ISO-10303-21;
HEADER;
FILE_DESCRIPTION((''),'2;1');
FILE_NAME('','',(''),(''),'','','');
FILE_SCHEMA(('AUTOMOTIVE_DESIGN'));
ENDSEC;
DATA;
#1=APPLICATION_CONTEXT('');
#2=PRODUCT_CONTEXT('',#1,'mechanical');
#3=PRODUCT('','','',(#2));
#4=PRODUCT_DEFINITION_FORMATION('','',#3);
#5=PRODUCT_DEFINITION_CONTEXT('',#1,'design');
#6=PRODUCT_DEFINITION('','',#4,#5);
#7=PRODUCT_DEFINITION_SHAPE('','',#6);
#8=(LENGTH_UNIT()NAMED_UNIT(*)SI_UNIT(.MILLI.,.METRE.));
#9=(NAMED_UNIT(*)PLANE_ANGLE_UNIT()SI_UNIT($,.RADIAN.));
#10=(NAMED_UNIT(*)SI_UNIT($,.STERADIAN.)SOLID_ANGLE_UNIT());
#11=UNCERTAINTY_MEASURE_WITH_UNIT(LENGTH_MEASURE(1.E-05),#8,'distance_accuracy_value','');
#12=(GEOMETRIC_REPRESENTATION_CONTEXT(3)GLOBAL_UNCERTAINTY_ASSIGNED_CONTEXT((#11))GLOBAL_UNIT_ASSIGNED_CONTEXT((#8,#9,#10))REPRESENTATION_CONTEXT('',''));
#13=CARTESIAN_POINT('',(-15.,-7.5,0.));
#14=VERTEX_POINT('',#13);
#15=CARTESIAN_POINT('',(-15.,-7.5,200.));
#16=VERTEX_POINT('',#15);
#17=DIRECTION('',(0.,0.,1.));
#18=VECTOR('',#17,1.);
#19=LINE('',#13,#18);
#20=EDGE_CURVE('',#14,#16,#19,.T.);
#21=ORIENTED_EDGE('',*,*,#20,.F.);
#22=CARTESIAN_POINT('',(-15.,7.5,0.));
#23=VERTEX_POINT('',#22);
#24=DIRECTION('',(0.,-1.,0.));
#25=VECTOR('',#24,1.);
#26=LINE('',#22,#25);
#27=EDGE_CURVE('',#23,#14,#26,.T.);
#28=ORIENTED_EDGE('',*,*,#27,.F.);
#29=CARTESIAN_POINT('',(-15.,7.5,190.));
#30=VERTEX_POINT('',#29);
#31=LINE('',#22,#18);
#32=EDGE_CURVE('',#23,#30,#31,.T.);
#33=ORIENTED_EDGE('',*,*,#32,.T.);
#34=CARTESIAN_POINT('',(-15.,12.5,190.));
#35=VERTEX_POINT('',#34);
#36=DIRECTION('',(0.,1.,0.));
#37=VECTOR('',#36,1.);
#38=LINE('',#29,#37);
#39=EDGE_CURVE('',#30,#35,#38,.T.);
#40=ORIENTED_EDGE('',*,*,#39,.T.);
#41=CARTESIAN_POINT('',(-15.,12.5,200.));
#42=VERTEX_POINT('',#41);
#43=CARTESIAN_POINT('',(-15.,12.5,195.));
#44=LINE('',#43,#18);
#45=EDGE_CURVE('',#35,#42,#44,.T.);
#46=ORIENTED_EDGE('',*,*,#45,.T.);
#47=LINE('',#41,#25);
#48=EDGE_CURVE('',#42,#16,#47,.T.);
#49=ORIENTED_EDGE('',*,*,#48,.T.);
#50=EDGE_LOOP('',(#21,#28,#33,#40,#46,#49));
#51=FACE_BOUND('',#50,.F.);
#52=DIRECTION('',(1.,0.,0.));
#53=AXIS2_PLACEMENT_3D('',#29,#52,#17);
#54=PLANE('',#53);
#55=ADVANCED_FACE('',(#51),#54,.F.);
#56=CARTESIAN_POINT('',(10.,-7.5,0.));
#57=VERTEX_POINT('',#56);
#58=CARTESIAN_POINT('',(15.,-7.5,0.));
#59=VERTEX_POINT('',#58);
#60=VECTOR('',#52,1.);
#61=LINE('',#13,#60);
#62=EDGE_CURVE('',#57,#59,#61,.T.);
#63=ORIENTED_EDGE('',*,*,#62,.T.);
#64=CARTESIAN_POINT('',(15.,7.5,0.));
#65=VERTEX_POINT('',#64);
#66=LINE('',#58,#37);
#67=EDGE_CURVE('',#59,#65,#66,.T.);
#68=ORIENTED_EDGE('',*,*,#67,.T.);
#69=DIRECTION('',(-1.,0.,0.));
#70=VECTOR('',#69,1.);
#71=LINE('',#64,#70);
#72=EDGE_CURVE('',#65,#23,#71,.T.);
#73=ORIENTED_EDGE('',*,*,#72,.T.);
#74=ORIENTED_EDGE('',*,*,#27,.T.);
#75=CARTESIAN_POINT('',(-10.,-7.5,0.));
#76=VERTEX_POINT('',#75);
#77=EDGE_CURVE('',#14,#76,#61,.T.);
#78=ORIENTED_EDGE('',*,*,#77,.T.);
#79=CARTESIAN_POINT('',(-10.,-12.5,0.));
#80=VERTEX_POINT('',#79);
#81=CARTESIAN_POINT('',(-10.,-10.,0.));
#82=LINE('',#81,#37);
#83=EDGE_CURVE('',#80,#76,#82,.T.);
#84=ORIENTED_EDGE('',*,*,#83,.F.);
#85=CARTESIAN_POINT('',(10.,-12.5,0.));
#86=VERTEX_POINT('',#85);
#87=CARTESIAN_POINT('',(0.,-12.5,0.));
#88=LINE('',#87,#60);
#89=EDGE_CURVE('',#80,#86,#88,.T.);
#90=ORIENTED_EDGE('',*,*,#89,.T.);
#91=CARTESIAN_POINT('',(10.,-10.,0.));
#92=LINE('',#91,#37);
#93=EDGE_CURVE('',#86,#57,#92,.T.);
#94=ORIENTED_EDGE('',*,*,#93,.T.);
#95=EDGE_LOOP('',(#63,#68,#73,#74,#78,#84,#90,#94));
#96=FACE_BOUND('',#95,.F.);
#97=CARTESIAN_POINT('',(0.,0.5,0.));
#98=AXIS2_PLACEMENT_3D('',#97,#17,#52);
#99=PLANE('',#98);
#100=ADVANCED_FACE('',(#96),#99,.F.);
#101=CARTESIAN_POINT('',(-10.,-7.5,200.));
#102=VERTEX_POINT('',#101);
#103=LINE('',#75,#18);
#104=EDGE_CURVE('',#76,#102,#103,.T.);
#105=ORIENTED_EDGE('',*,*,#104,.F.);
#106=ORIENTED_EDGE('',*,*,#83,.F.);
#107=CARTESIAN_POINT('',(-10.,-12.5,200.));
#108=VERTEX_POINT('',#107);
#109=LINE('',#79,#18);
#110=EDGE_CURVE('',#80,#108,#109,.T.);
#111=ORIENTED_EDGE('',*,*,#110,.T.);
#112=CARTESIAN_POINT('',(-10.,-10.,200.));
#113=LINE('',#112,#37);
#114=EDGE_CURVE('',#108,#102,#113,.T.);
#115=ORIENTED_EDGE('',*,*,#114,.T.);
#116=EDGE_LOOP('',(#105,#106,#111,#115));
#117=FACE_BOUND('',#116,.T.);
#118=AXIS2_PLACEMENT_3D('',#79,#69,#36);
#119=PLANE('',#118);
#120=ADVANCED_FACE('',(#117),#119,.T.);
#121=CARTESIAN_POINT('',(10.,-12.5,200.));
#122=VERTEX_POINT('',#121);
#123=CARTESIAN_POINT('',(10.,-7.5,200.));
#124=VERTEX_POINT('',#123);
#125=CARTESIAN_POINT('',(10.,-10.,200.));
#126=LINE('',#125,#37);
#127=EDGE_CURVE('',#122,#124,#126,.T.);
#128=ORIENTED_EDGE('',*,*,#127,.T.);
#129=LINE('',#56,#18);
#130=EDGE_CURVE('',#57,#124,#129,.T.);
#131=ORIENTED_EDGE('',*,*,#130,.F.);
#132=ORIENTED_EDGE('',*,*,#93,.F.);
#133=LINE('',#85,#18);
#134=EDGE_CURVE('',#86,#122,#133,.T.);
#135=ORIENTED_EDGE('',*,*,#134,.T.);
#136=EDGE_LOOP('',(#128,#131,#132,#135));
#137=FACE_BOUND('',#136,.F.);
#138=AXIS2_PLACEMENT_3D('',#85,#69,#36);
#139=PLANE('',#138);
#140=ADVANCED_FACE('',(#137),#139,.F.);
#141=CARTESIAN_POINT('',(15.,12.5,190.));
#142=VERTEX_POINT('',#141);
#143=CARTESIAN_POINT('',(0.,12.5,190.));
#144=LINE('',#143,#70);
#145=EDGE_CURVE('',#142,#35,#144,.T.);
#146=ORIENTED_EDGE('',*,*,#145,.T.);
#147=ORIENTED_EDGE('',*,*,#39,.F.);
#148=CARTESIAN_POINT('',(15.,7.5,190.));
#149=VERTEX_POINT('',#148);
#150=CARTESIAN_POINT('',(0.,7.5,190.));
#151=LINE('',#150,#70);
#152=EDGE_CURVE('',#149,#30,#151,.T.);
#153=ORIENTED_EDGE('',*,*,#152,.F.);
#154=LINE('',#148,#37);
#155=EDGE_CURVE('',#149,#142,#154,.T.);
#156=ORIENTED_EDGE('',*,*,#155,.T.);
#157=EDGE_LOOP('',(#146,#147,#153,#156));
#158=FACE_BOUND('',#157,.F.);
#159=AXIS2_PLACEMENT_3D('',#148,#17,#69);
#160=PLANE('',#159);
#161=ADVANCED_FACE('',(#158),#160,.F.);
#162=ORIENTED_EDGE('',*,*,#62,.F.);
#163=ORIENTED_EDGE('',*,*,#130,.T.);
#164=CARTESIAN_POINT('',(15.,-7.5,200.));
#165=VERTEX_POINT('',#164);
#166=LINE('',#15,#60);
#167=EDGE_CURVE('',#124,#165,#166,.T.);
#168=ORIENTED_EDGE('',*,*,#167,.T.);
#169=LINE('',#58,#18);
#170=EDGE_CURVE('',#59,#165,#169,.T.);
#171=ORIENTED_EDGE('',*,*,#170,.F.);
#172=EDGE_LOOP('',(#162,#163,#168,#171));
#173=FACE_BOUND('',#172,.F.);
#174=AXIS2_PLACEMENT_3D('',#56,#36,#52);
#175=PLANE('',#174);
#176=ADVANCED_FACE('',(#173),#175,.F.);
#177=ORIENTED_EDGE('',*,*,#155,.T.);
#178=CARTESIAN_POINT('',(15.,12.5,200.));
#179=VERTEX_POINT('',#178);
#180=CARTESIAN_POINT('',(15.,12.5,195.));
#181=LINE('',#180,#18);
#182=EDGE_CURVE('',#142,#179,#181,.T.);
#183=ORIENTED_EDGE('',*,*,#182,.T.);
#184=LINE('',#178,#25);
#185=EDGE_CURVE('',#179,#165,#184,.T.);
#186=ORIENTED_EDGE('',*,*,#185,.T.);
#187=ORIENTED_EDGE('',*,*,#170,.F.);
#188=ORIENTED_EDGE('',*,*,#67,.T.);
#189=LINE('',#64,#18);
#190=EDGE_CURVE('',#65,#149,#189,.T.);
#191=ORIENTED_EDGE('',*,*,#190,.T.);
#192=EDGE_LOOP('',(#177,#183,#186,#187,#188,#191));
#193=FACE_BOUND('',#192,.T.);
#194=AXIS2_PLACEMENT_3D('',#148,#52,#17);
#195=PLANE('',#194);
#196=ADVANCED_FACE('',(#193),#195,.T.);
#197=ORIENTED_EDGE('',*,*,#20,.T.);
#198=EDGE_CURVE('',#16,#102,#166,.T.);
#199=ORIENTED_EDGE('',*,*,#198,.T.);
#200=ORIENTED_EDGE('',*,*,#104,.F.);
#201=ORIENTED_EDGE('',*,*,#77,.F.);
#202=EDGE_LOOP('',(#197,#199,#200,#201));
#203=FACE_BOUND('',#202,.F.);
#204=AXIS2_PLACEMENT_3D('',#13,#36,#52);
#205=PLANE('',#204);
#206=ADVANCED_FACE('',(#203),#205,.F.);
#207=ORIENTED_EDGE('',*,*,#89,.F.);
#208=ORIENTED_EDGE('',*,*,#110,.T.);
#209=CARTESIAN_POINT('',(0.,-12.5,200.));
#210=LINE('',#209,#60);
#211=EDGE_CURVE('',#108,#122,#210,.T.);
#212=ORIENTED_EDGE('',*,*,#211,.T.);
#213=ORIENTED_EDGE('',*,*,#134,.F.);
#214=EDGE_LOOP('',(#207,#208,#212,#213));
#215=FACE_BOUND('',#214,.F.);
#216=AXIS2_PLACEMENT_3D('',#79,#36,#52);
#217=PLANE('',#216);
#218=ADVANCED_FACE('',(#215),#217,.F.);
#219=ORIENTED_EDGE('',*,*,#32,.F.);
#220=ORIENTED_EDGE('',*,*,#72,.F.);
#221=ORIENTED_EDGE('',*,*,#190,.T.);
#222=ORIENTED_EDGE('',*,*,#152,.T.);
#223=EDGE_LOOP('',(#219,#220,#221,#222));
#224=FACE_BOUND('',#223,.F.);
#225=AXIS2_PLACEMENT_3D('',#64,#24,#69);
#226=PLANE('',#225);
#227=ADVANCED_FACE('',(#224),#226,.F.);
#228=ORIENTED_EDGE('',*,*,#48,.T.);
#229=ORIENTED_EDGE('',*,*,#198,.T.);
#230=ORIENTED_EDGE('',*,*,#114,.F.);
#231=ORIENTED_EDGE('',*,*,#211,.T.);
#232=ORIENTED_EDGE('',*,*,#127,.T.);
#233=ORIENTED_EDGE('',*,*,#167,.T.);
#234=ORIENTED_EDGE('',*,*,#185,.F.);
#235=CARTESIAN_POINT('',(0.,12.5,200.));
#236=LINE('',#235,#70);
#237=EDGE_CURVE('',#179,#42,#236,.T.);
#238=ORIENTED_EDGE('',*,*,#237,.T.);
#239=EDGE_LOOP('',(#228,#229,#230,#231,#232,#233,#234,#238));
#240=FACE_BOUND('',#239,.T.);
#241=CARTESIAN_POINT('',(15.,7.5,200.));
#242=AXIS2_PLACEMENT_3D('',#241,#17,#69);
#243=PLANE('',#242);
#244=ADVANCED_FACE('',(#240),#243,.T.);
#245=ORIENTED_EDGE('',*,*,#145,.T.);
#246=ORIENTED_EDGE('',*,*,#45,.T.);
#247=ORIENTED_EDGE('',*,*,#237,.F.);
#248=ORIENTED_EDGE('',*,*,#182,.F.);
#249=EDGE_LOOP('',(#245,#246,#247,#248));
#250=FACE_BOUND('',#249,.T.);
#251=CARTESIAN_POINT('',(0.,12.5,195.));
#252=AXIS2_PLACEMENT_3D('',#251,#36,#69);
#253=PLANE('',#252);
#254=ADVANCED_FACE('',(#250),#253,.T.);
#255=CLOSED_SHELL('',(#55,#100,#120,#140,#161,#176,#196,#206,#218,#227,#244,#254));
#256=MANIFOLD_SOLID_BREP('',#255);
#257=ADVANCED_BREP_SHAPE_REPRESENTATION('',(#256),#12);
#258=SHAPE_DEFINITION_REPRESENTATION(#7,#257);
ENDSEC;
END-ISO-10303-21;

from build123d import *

# Parameters (mm, degrees)
F0_W     = 20
F0_H     = 5
F1_DEPTH = 200
F2_W     = 30
F2_H     = 10
F3_DEPTH = 5


with BuildPart() as f1:
    # F0 (on Top) → F1 (new body)
    with BuildSketch(Plane.XY):
        Polygon((15, -7.5), (15, 7.5), (-15, 7.5), (-15, -7.5), (-10, -7.5), (-10, -2.5), (10, -2.5), (10, -7.5), align=None)
        with Locations((0, -5)):
            Rectangle(F0_W, F0_H)
        with Locations((0, -10)):
            Rectangle(F0_W, F0_H)
    extrude(amount=F1_DEPTH)

    # F2 (on face) → F3 (join)
    with BuildSketch(Plane(origin=(0, 7.5, 0), x_dir=(-1, 0, 0), z_dir=(0, 1, 0))):
        with Locations((0, 195)):
            Rectangle(F2_W, F2_H)
    extrude(amount=F3_DEPTH)


solid = f1.part
